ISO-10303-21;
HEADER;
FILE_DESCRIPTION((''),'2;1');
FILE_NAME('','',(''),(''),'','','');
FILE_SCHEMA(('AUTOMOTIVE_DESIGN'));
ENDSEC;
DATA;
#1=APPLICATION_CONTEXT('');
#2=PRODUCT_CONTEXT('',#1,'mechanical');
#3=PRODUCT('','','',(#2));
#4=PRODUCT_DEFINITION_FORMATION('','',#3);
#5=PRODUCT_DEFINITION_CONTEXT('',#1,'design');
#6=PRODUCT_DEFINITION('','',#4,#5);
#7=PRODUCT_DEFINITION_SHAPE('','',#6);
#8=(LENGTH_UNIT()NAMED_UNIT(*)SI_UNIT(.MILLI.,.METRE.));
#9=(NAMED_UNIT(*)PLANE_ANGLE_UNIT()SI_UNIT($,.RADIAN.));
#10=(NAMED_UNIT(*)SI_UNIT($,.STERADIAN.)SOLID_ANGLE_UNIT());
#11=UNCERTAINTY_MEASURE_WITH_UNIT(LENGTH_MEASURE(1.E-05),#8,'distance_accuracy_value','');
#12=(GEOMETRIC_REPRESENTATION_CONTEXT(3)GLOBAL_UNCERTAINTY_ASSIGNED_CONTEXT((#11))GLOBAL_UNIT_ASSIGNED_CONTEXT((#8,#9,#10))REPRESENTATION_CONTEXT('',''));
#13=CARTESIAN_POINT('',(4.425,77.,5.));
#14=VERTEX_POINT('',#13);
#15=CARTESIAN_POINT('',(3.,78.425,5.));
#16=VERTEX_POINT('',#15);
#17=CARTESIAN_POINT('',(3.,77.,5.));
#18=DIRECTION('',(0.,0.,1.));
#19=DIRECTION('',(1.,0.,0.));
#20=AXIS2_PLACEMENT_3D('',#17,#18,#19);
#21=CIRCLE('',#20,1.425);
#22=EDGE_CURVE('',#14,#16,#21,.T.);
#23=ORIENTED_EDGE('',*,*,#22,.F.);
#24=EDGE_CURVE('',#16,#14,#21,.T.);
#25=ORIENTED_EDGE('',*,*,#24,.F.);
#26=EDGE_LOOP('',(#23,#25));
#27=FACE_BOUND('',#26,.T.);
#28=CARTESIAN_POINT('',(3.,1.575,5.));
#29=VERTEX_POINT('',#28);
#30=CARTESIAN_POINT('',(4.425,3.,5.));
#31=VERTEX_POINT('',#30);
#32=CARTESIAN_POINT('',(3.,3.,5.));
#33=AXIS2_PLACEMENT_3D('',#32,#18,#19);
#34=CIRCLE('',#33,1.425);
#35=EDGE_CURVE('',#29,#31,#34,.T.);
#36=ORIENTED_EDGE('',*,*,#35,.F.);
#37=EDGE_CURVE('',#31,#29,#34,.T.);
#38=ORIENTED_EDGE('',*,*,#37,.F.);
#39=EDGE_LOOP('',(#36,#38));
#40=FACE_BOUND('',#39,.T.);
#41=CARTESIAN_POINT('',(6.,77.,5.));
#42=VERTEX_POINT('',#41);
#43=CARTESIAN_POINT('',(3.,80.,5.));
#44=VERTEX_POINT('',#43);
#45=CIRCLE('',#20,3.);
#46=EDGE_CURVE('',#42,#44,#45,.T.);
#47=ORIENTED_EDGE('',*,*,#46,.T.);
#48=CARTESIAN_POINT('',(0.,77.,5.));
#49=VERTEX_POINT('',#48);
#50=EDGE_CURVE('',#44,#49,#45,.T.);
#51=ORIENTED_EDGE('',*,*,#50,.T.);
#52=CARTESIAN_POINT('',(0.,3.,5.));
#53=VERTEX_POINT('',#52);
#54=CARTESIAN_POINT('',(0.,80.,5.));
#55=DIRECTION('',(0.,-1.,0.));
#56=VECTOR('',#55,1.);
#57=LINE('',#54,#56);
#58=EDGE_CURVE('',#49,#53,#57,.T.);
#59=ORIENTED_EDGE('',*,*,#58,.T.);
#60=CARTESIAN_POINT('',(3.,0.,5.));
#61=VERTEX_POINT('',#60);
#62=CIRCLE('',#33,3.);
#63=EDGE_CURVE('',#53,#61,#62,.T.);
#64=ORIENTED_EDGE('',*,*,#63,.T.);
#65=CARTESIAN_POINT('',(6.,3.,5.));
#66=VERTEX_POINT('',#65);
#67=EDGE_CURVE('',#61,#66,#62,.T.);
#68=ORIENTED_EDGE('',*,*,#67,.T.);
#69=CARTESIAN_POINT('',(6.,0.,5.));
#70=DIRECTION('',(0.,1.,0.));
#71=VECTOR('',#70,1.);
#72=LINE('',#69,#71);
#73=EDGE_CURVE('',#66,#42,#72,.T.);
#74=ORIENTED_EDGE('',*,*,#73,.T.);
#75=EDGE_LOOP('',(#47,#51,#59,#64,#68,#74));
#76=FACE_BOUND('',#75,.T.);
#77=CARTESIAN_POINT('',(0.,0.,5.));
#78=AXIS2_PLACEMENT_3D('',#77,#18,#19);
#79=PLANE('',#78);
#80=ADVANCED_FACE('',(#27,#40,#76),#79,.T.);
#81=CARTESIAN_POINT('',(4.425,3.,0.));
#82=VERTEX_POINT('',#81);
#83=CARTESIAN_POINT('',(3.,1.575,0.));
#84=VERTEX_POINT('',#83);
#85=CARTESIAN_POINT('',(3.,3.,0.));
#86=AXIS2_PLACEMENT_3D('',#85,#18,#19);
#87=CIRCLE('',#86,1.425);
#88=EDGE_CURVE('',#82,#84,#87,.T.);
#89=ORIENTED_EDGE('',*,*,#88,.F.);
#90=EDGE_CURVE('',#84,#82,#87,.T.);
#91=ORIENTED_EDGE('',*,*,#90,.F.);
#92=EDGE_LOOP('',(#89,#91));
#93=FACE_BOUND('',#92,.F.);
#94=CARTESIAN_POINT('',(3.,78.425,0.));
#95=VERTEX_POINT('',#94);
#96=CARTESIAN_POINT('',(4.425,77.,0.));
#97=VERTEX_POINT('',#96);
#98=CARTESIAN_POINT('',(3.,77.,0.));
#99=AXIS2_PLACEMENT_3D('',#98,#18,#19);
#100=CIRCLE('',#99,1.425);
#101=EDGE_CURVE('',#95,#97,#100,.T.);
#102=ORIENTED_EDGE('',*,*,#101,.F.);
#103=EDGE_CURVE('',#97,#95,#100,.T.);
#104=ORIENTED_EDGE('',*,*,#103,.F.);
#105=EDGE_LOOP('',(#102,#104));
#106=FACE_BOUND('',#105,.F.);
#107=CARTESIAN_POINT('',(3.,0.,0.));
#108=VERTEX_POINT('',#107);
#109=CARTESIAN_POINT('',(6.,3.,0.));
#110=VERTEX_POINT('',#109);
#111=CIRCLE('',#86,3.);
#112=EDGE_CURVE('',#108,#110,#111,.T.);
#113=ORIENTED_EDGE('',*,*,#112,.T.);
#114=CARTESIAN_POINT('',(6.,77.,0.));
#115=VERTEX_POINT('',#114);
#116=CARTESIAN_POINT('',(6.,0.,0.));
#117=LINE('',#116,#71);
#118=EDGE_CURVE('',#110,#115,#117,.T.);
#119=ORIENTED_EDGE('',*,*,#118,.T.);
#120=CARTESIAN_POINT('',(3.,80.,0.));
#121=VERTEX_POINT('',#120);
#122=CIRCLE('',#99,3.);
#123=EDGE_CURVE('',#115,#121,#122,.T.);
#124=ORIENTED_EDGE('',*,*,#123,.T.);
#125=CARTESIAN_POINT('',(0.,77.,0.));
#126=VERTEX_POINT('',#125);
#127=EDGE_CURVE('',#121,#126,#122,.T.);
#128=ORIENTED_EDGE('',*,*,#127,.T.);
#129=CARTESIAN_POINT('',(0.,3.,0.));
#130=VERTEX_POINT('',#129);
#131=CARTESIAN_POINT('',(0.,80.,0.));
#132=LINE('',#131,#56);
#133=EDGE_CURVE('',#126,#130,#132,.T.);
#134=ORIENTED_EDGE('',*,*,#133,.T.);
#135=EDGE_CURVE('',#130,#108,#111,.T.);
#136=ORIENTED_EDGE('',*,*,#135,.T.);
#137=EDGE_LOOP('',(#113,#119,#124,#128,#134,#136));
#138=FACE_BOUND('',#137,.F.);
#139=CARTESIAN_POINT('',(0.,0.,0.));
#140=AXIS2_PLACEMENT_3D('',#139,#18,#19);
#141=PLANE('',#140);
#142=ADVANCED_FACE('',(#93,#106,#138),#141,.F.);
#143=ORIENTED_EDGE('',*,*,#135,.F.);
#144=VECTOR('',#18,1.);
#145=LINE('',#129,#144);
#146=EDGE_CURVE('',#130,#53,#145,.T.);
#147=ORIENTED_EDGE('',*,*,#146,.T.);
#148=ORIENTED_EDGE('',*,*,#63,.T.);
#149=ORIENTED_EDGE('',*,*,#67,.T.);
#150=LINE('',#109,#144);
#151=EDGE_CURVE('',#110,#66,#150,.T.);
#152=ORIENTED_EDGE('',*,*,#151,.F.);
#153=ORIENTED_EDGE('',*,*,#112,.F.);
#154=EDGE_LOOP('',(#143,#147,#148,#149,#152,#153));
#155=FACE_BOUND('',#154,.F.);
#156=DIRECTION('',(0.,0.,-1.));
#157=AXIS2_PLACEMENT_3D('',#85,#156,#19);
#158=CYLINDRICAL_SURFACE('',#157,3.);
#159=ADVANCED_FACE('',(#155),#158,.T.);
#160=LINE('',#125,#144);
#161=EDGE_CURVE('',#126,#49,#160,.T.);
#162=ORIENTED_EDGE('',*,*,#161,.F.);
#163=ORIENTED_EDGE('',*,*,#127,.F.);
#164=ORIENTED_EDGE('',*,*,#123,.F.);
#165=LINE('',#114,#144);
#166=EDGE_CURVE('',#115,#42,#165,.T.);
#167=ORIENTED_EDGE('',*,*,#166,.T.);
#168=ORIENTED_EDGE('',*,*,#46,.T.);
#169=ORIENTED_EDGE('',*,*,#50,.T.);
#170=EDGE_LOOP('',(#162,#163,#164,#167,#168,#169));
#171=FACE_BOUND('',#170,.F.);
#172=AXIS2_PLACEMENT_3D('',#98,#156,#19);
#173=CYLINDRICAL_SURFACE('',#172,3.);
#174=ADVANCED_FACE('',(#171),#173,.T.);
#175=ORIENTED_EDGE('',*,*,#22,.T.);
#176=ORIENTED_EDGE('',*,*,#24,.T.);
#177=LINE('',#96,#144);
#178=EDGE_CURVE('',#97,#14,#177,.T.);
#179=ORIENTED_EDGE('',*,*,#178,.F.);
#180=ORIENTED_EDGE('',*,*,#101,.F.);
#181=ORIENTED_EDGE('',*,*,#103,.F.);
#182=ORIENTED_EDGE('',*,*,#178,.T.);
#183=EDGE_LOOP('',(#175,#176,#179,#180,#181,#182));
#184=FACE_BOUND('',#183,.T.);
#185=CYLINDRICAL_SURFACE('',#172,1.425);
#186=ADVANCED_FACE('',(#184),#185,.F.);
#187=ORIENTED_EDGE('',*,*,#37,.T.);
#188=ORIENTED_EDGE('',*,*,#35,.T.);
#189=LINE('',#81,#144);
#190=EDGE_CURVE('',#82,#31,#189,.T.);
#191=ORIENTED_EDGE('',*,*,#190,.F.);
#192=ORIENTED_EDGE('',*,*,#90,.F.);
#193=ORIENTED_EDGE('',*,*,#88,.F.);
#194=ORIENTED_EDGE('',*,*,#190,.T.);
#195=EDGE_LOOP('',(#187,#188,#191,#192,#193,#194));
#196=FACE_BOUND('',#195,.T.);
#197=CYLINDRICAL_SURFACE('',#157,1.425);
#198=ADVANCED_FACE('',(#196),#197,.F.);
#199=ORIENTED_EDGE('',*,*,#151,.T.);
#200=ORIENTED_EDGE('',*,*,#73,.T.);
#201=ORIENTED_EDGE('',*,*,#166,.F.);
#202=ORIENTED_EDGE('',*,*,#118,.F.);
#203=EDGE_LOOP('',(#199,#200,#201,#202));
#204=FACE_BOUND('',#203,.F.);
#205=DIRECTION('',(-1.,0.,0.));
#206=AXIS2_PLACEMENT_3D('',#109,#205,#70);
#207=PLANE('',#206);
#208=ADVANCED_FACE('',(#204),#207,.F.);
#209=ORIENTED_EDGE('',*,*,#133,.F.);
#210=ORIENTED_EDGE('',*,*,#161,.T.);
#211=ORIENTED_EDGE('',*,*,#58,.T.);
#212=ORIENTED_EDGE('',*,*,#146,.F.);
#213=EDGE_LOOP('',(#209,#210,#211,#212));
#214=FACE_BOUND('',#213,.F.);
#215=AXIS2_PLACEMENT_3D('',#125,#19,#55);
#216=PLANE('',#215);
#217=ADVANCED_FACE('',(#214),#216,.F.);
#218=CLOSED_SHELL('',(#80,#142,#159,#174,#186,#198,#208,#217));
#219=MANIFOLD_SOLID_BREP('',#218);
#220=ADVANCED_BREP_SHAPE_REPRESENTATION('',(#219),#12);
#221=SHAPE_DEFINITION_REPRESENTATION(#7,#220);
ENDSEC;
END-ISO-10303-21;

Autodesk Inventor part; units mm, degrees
ref_plane "YZ Plane" through (0, 0, 0) normal (1, 0, 0) x (0, 1, 0)
ref_plane "XZ Plane" through (0, 0, 0) normal (0, 1, 0) x (-1, 0, 0)
ref_plane "XY Plane" through (0, 0, 0) normal (0, 0, 1) x (1, 0, 0)
sketch "Sketch1" plane through (0, 0, 0) normal (0, 0, 1) x (1, 0, 0)
  line L0 (0, 0) -> (6, 0)
  line L1 (6, 0) -> (6, 80)
  line L2 (6, 80) -> (0, 80)
  line L3 (0, 80) -> (0, 0)
  line L4 (3, 0) -> (3, 3)
  circle A0 centre (3, 3) radius 1.425
  circle A1 centre (3, 3) radius 3
  line L5 (3, 80) -> (3, 77)
  circle A2 centre (3, 77) radius 1.425
  circle A3 centre (3, 77) radius 3
  point P0 (6, 3)
  point P1 (6, 77)
  point P2 (0, 77)
  point P3 (0, 3)
  dimension "d10" = 6
  dimension "d11" = 80
  dimension "d12" = 3
  dimension "d13" = 6
  dimension "d14" = 2.85
  dimension "d15" = 3
  dimension "d16" = 6
  dimension "d17" = 2.85
extrude "Extrusion1" add sketch "Sketch1" along normal blind 5 contours A1 | L3 A3 L1 A1 | A3
properties part number "Exoskeleton 1"
